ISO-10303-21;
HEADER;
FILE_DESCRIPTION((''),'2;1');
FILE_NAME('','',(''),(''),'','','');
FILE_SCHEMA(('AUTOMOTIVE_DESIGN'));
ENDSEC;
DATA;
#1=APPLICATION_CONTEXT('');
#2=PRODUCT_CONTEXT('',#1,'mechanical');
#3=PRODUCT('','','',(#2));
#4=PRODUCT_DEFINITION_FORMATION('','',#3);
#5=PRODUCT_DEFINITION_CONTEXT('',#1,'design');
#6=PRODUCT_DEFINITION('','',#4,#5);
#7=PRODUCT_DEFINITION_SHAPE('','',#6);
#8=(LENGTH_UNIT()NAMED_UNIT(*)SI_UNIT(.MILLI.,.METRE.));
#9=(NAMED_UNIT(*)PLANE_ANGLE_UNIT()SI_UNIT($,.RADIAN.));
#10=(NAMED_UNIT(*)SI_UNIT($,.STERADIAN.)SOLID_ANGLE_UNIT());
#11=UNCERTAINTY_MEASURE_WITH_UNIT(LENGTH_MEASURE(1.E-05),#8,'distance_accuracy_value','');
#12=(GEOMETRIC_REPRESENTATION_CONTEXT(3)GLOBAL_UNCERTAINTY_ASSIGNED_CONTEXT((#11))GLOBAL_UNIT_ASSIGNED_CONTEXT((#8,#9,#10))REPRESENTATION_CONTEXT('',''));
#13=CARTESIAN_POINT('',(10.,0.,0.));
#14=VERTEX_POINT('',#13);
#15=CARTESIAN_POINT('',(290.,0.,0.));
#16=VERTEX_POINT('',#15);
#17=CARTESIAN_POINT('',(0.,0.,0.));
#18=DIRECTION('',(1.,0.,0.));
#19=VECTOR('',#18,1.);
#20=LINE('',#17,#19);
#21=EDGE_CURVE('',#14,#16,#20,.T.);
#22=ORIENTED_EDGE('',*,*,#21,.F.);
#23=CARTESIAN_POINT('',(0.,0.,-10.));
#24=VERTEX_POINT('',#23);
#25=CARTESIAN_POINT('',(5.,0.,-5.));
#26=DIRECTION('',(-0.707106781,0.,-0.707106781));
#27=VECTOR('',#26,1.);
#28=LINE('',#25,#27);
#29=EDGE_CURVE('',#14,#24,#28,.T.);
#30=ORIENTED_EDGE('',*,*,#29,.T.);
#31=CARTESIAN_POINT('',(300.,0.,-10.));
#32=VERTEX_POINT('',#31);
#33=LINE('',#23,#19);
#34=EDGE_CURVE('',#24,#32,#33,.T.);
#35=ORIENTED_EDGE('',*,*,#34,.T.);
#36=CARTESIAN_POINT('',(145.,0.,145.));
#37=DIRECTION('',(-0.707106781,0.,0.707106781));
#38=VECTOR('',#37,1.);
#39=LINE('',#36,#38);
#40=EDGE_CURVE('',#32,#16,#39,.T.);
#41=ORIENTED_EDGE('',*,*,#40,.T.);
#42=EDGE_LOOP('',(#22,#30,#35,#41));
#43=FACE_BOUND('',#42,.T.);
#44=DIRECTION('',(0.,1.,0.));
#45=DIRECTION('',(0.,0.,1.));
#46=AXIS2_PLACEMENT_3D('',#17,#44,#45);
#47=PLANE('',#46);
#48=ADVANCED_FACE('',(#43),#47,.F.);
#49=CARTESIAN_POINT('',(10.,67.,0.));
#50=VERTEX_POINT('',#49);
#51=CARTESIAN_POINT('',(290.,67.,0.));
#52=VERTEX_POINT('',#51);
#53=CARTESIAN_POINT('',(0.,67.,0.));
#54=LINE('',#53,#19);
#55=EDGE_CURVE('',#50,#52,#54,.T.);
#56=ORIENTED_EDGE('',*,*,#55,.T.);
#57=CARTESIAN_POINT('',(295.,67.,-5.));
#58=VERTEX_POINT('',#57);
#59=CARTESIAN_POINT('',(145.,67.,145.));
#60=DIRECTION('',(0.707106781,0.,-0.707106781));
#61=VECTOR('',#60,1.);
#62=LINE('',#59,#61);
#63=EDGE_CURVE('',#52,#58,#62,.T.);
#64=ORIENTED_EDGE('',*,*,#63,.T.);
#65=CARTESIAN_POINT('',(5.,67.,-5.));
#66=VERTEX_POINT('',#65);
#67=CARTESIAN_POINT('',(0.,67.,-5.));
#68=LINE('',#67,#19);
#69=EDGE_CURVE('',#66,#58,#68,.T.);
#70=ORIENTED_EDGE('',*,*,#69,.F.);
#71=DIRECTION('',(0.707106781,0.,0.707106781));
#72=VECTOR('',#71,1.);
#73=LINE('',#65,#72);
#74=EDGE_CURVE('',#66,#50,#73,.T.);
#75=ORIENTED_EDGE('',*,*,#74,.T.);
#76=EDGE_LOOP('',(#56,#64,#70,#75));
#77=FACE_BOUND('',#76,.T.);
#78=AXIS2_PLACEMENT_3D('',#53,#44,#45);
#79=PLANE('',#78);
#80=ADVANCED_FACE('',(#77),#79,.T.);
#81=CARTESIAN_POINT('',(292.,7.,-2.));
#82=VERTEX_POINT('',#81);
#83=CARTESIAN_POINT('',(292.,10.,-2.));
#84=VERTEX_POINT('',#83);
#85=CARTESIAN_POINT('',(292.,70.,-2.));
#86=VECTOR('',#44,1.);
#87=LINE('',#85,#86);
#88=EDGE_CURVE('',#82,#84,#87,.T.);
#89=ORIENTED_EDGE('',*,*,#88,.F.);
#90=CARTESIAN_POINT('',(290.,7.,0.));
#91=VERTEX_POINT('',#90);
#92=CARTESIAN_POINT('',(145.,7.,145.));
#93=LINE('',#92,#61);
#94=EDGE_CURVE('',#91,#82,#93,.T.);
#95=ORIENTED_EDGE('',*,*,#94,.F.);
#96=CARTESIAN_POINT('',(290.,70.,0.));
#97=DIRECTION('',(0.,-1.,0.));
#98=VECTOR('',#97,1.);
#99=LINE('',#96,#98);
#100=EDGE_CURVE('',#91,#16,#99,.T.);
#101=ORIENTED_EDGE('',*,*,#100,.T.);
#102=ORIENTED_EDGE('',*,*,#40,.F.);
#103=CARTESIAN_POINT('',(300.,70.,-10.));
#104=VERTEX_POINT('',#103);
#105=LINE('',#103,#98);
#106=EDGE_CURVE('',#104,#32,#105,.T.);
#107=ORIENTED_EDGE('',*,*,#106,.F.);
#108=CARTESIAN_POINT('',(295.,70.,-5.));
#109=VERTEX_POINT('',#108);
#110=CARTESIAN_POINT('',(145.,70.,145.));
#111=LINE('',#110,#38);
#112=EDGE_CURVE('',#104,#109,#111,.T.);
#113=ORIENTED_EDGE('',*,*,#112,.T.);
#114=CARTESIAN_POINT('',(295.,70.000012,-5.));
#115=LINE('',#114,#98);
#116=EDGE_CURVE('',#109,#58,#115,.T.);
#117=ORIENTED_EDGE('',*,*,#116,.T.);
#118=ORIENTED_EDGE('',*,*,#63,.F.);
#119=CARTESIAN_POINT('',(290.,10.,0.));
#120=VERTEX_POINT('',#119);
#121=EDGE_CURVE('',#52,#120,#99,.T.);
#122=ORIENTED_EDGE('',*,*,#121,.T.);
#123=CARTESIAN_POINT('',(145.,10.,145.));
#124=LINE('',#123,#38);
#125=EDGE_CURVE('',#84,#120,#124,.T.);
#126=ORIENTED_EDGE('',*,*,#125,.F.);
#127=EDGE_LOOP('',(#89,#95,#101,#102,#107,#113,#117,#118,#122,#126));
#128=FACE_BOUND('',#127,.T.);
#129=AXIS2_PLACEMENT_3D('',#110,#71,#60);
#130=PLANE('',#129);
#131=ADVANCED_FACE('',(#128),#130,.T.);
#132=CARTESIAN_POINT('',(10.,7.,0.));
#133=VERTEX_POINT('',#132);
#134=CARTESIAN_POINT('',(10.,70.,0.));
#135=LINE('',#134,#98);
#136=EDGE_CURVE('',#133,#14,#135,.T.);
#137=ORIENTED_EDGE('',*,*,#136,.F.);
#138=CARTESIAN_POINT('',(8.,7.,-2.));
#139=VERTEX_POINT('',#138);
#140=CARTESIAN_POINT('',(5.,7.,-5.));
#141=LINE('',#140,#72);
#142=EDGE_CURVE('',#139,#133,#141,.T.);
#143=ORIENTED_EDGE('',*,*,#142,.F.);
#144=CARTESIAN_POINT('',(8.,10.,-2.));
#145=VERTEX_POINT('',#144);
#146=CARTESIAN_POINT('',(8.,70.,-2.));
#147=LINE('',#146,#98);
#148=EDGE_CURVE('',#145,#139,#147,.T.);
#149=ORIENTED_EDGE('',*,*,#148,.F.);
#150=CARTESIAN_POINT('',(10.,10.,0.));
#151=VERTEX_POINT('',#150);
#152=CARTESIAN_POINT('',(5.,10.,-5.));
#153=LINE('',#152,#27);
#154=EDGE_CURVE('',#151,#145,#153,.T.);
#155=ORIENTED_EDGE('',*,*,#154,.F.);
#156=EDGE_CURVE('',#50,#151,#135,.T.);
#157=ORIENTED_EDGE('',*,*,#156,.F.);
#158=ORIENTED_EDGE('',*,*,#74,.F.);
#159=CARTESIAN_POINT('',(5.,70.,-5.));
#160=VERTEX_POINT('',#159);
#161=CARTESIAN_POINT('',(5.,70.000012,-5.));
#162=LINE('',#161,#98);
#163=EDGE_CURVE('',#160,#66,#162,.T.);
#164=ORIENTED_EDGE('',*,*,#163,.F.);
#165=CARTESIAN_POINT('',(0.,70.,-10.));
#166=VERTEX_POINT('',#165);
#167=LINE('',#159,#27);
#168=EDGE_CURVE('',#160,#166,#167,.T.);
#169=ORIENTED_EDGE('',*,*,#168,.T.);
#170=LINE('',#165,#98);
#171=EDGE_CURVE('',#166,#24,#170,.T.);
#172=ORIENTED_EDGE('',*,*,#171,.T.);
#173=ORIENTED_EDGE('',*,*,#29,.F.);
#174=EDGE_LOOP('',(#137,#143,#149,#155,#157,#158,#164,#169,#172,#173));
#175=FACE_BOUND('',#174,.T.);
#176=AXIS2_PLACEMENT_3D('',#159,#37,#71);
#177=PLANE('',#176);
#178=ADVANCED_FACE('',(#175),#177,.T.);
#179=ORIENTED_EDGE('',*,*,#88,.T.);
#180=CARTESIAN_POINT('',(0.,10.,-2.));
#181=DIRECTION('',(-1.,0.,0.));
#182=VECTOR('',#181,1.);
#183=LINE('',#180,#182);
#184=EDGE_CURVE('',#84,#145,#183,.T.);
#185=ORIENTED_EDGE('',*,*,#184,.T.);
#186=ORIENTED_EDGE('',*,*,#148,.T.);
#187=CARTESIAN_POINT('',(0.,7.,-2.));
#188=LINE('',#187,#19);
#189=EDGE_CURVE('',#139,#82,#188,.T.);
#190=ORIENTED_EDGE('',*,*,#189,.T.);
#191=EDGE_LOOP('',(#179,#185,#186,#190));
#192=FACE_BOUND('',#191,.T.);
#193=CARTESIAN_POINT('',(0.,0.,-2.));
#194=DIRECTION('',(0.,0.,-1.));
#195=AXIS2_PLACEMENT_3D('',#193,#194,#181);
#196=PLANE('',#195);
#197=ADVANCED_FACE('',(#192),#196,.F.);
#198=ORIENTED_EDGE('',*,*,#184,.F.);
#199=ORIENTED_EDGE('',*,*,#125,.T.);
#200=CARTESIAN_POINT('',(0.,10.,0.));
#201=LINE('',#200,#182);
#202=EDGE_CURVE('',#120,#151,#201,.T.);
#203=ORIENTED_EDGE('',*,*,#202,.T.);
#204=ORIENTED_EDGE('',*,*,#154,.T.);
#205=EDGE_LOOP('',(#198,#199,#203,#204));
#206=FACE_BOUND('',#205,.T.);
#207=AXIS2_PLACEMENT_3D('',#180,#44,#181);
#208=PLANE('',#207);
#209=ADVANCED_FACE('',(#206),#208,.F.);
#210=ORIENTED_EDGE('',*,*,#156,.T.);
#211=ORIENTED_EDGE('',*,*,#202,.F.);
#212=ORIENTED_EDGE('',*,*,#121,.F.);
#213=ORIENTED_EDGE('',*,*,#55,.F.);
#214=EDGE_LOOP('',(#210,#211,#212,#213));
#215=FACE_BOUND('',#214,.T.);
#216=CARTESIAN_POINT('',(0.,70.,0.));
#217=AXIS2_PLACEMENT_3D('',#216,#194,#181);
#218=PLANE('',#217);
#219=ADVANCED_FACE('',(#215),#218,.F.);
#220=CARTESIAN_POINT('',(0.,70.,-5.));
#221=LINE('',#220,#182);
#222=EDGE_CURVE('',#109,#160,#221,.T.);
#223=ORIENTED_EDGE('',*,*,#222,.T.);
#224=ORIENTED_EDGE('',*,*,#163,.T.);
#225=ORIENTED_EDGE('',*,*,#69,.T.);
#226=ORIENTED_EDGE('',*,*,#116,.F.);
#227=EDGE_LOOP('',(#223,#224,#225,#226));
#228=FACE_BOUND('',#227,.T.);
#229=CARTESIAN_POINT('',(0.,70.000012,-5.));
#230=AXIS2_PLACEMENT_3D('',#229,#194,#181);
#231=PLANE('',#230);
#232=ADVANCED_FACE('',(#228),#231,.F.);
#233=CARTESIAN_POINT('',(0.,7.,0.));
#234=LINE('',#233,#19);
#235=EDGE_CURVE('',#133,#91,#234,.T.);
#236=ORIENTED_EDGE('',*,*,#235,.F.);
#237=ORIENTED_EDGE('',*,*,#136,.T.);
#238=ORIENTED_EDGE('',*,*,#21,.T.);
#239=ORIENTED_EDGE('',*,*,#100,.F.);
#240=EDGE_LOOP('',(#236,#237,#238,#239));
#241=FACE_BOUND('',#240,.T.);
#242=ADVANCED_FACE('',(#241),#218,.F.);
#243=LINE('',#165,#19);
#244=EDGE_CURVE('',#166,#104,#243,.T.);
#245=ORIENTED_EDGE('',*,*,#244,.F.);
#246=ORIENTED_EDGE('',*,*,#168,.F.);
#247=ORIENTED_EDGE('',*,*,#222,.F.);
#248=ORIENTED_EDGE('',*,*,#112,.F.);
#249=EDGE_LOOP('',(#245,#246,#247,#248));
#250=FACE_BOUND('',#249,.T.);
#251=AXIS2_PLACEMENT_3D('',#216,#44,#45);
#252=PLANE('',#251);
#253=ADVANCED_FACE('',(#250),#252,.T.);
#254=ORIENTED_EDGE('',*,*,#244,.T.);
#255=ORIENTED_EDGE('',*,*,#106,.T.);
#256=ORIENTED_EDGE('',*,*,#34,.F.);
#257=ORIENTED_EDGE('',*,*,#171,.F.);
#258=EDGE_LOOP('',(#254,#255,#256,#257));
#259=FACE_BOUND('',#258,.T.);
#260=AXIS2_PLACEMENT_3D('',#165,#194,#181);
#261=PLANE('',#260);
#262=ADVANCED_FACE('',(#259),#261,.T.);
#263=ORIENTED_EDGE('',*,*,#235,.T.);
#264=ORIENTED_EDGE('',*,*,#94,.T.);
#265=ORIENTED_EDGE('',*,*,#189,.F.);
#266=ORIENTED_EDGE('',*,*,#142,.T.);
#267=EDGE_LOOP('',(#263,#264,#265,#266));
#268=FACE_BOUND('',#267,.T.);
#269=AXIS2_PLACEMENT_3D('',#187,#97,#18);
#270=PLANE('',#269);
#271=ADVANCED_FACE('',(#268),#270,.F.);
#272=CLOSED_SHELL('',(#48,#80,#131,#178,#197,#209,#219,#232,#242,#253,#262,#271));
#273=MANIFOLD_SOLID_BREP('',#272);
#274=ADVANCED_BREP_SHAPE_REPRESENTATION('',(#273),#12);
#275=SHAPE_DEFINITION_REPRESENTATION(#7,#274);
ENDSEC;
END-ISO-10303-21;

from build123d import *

# Parameters (mm, degrees)
BOSS_EXTRUDE1_DEPTH     = 70
CUT_EXTRUDE1_DEPTH      = 309.220700148
CUT_EXTRUDE1_DEPTH_BACK = 3
SKETCH3_W               = 300
SKETCH3_H               = 3
CUT_EXTRUDE2_DEPTH      = 2


with BuildPart() as part:
    # Sketch1 → Boss-Extrude1 (new body)
    with BuildSketch(Plane(origin=(0, 0, 0), x_dir=(1, 0, 0), z_dir=(0, 1, 0))):
        Polygon((0, 10), (10, 0), (290, 0), (300, 10), align=None)
    extrude(amount=BOSS_EXTRUDE1_DEPTH)

    # Sketch2 → Cut-Extrude1 (cut, two sides: drawn at the far end of the back side and taken through both)
    with BuildSketch(Plane(origin=(0, 70, 0), x_dir=(1, 0, 0), z_dir=(0, 1, 0)).offset(-CUT_EXTRUDE1_DEPTH_BACK)):
        Polygon((295, 5), (5, 5), (10, 0), (290, 0), align=None)
    extrude(amount=CUT_EXTRUDE1_DEPTH + CUT_EXTRUDE1_DEPTH_BACK, mode=Mode.SUBTRACT)

    # Sketch3 → Cut-Extrude2 (cut)
    with BuildSketch(Plane.XY):
        with Locations((150, 8.5)):
            Rectangle(SKETCH3_W, SKETCH3_H)
    extrude(amount=-CUT_EXTRUDE2_DEPTH, mode=Mode.SUBTRACT)


solid = part.part
